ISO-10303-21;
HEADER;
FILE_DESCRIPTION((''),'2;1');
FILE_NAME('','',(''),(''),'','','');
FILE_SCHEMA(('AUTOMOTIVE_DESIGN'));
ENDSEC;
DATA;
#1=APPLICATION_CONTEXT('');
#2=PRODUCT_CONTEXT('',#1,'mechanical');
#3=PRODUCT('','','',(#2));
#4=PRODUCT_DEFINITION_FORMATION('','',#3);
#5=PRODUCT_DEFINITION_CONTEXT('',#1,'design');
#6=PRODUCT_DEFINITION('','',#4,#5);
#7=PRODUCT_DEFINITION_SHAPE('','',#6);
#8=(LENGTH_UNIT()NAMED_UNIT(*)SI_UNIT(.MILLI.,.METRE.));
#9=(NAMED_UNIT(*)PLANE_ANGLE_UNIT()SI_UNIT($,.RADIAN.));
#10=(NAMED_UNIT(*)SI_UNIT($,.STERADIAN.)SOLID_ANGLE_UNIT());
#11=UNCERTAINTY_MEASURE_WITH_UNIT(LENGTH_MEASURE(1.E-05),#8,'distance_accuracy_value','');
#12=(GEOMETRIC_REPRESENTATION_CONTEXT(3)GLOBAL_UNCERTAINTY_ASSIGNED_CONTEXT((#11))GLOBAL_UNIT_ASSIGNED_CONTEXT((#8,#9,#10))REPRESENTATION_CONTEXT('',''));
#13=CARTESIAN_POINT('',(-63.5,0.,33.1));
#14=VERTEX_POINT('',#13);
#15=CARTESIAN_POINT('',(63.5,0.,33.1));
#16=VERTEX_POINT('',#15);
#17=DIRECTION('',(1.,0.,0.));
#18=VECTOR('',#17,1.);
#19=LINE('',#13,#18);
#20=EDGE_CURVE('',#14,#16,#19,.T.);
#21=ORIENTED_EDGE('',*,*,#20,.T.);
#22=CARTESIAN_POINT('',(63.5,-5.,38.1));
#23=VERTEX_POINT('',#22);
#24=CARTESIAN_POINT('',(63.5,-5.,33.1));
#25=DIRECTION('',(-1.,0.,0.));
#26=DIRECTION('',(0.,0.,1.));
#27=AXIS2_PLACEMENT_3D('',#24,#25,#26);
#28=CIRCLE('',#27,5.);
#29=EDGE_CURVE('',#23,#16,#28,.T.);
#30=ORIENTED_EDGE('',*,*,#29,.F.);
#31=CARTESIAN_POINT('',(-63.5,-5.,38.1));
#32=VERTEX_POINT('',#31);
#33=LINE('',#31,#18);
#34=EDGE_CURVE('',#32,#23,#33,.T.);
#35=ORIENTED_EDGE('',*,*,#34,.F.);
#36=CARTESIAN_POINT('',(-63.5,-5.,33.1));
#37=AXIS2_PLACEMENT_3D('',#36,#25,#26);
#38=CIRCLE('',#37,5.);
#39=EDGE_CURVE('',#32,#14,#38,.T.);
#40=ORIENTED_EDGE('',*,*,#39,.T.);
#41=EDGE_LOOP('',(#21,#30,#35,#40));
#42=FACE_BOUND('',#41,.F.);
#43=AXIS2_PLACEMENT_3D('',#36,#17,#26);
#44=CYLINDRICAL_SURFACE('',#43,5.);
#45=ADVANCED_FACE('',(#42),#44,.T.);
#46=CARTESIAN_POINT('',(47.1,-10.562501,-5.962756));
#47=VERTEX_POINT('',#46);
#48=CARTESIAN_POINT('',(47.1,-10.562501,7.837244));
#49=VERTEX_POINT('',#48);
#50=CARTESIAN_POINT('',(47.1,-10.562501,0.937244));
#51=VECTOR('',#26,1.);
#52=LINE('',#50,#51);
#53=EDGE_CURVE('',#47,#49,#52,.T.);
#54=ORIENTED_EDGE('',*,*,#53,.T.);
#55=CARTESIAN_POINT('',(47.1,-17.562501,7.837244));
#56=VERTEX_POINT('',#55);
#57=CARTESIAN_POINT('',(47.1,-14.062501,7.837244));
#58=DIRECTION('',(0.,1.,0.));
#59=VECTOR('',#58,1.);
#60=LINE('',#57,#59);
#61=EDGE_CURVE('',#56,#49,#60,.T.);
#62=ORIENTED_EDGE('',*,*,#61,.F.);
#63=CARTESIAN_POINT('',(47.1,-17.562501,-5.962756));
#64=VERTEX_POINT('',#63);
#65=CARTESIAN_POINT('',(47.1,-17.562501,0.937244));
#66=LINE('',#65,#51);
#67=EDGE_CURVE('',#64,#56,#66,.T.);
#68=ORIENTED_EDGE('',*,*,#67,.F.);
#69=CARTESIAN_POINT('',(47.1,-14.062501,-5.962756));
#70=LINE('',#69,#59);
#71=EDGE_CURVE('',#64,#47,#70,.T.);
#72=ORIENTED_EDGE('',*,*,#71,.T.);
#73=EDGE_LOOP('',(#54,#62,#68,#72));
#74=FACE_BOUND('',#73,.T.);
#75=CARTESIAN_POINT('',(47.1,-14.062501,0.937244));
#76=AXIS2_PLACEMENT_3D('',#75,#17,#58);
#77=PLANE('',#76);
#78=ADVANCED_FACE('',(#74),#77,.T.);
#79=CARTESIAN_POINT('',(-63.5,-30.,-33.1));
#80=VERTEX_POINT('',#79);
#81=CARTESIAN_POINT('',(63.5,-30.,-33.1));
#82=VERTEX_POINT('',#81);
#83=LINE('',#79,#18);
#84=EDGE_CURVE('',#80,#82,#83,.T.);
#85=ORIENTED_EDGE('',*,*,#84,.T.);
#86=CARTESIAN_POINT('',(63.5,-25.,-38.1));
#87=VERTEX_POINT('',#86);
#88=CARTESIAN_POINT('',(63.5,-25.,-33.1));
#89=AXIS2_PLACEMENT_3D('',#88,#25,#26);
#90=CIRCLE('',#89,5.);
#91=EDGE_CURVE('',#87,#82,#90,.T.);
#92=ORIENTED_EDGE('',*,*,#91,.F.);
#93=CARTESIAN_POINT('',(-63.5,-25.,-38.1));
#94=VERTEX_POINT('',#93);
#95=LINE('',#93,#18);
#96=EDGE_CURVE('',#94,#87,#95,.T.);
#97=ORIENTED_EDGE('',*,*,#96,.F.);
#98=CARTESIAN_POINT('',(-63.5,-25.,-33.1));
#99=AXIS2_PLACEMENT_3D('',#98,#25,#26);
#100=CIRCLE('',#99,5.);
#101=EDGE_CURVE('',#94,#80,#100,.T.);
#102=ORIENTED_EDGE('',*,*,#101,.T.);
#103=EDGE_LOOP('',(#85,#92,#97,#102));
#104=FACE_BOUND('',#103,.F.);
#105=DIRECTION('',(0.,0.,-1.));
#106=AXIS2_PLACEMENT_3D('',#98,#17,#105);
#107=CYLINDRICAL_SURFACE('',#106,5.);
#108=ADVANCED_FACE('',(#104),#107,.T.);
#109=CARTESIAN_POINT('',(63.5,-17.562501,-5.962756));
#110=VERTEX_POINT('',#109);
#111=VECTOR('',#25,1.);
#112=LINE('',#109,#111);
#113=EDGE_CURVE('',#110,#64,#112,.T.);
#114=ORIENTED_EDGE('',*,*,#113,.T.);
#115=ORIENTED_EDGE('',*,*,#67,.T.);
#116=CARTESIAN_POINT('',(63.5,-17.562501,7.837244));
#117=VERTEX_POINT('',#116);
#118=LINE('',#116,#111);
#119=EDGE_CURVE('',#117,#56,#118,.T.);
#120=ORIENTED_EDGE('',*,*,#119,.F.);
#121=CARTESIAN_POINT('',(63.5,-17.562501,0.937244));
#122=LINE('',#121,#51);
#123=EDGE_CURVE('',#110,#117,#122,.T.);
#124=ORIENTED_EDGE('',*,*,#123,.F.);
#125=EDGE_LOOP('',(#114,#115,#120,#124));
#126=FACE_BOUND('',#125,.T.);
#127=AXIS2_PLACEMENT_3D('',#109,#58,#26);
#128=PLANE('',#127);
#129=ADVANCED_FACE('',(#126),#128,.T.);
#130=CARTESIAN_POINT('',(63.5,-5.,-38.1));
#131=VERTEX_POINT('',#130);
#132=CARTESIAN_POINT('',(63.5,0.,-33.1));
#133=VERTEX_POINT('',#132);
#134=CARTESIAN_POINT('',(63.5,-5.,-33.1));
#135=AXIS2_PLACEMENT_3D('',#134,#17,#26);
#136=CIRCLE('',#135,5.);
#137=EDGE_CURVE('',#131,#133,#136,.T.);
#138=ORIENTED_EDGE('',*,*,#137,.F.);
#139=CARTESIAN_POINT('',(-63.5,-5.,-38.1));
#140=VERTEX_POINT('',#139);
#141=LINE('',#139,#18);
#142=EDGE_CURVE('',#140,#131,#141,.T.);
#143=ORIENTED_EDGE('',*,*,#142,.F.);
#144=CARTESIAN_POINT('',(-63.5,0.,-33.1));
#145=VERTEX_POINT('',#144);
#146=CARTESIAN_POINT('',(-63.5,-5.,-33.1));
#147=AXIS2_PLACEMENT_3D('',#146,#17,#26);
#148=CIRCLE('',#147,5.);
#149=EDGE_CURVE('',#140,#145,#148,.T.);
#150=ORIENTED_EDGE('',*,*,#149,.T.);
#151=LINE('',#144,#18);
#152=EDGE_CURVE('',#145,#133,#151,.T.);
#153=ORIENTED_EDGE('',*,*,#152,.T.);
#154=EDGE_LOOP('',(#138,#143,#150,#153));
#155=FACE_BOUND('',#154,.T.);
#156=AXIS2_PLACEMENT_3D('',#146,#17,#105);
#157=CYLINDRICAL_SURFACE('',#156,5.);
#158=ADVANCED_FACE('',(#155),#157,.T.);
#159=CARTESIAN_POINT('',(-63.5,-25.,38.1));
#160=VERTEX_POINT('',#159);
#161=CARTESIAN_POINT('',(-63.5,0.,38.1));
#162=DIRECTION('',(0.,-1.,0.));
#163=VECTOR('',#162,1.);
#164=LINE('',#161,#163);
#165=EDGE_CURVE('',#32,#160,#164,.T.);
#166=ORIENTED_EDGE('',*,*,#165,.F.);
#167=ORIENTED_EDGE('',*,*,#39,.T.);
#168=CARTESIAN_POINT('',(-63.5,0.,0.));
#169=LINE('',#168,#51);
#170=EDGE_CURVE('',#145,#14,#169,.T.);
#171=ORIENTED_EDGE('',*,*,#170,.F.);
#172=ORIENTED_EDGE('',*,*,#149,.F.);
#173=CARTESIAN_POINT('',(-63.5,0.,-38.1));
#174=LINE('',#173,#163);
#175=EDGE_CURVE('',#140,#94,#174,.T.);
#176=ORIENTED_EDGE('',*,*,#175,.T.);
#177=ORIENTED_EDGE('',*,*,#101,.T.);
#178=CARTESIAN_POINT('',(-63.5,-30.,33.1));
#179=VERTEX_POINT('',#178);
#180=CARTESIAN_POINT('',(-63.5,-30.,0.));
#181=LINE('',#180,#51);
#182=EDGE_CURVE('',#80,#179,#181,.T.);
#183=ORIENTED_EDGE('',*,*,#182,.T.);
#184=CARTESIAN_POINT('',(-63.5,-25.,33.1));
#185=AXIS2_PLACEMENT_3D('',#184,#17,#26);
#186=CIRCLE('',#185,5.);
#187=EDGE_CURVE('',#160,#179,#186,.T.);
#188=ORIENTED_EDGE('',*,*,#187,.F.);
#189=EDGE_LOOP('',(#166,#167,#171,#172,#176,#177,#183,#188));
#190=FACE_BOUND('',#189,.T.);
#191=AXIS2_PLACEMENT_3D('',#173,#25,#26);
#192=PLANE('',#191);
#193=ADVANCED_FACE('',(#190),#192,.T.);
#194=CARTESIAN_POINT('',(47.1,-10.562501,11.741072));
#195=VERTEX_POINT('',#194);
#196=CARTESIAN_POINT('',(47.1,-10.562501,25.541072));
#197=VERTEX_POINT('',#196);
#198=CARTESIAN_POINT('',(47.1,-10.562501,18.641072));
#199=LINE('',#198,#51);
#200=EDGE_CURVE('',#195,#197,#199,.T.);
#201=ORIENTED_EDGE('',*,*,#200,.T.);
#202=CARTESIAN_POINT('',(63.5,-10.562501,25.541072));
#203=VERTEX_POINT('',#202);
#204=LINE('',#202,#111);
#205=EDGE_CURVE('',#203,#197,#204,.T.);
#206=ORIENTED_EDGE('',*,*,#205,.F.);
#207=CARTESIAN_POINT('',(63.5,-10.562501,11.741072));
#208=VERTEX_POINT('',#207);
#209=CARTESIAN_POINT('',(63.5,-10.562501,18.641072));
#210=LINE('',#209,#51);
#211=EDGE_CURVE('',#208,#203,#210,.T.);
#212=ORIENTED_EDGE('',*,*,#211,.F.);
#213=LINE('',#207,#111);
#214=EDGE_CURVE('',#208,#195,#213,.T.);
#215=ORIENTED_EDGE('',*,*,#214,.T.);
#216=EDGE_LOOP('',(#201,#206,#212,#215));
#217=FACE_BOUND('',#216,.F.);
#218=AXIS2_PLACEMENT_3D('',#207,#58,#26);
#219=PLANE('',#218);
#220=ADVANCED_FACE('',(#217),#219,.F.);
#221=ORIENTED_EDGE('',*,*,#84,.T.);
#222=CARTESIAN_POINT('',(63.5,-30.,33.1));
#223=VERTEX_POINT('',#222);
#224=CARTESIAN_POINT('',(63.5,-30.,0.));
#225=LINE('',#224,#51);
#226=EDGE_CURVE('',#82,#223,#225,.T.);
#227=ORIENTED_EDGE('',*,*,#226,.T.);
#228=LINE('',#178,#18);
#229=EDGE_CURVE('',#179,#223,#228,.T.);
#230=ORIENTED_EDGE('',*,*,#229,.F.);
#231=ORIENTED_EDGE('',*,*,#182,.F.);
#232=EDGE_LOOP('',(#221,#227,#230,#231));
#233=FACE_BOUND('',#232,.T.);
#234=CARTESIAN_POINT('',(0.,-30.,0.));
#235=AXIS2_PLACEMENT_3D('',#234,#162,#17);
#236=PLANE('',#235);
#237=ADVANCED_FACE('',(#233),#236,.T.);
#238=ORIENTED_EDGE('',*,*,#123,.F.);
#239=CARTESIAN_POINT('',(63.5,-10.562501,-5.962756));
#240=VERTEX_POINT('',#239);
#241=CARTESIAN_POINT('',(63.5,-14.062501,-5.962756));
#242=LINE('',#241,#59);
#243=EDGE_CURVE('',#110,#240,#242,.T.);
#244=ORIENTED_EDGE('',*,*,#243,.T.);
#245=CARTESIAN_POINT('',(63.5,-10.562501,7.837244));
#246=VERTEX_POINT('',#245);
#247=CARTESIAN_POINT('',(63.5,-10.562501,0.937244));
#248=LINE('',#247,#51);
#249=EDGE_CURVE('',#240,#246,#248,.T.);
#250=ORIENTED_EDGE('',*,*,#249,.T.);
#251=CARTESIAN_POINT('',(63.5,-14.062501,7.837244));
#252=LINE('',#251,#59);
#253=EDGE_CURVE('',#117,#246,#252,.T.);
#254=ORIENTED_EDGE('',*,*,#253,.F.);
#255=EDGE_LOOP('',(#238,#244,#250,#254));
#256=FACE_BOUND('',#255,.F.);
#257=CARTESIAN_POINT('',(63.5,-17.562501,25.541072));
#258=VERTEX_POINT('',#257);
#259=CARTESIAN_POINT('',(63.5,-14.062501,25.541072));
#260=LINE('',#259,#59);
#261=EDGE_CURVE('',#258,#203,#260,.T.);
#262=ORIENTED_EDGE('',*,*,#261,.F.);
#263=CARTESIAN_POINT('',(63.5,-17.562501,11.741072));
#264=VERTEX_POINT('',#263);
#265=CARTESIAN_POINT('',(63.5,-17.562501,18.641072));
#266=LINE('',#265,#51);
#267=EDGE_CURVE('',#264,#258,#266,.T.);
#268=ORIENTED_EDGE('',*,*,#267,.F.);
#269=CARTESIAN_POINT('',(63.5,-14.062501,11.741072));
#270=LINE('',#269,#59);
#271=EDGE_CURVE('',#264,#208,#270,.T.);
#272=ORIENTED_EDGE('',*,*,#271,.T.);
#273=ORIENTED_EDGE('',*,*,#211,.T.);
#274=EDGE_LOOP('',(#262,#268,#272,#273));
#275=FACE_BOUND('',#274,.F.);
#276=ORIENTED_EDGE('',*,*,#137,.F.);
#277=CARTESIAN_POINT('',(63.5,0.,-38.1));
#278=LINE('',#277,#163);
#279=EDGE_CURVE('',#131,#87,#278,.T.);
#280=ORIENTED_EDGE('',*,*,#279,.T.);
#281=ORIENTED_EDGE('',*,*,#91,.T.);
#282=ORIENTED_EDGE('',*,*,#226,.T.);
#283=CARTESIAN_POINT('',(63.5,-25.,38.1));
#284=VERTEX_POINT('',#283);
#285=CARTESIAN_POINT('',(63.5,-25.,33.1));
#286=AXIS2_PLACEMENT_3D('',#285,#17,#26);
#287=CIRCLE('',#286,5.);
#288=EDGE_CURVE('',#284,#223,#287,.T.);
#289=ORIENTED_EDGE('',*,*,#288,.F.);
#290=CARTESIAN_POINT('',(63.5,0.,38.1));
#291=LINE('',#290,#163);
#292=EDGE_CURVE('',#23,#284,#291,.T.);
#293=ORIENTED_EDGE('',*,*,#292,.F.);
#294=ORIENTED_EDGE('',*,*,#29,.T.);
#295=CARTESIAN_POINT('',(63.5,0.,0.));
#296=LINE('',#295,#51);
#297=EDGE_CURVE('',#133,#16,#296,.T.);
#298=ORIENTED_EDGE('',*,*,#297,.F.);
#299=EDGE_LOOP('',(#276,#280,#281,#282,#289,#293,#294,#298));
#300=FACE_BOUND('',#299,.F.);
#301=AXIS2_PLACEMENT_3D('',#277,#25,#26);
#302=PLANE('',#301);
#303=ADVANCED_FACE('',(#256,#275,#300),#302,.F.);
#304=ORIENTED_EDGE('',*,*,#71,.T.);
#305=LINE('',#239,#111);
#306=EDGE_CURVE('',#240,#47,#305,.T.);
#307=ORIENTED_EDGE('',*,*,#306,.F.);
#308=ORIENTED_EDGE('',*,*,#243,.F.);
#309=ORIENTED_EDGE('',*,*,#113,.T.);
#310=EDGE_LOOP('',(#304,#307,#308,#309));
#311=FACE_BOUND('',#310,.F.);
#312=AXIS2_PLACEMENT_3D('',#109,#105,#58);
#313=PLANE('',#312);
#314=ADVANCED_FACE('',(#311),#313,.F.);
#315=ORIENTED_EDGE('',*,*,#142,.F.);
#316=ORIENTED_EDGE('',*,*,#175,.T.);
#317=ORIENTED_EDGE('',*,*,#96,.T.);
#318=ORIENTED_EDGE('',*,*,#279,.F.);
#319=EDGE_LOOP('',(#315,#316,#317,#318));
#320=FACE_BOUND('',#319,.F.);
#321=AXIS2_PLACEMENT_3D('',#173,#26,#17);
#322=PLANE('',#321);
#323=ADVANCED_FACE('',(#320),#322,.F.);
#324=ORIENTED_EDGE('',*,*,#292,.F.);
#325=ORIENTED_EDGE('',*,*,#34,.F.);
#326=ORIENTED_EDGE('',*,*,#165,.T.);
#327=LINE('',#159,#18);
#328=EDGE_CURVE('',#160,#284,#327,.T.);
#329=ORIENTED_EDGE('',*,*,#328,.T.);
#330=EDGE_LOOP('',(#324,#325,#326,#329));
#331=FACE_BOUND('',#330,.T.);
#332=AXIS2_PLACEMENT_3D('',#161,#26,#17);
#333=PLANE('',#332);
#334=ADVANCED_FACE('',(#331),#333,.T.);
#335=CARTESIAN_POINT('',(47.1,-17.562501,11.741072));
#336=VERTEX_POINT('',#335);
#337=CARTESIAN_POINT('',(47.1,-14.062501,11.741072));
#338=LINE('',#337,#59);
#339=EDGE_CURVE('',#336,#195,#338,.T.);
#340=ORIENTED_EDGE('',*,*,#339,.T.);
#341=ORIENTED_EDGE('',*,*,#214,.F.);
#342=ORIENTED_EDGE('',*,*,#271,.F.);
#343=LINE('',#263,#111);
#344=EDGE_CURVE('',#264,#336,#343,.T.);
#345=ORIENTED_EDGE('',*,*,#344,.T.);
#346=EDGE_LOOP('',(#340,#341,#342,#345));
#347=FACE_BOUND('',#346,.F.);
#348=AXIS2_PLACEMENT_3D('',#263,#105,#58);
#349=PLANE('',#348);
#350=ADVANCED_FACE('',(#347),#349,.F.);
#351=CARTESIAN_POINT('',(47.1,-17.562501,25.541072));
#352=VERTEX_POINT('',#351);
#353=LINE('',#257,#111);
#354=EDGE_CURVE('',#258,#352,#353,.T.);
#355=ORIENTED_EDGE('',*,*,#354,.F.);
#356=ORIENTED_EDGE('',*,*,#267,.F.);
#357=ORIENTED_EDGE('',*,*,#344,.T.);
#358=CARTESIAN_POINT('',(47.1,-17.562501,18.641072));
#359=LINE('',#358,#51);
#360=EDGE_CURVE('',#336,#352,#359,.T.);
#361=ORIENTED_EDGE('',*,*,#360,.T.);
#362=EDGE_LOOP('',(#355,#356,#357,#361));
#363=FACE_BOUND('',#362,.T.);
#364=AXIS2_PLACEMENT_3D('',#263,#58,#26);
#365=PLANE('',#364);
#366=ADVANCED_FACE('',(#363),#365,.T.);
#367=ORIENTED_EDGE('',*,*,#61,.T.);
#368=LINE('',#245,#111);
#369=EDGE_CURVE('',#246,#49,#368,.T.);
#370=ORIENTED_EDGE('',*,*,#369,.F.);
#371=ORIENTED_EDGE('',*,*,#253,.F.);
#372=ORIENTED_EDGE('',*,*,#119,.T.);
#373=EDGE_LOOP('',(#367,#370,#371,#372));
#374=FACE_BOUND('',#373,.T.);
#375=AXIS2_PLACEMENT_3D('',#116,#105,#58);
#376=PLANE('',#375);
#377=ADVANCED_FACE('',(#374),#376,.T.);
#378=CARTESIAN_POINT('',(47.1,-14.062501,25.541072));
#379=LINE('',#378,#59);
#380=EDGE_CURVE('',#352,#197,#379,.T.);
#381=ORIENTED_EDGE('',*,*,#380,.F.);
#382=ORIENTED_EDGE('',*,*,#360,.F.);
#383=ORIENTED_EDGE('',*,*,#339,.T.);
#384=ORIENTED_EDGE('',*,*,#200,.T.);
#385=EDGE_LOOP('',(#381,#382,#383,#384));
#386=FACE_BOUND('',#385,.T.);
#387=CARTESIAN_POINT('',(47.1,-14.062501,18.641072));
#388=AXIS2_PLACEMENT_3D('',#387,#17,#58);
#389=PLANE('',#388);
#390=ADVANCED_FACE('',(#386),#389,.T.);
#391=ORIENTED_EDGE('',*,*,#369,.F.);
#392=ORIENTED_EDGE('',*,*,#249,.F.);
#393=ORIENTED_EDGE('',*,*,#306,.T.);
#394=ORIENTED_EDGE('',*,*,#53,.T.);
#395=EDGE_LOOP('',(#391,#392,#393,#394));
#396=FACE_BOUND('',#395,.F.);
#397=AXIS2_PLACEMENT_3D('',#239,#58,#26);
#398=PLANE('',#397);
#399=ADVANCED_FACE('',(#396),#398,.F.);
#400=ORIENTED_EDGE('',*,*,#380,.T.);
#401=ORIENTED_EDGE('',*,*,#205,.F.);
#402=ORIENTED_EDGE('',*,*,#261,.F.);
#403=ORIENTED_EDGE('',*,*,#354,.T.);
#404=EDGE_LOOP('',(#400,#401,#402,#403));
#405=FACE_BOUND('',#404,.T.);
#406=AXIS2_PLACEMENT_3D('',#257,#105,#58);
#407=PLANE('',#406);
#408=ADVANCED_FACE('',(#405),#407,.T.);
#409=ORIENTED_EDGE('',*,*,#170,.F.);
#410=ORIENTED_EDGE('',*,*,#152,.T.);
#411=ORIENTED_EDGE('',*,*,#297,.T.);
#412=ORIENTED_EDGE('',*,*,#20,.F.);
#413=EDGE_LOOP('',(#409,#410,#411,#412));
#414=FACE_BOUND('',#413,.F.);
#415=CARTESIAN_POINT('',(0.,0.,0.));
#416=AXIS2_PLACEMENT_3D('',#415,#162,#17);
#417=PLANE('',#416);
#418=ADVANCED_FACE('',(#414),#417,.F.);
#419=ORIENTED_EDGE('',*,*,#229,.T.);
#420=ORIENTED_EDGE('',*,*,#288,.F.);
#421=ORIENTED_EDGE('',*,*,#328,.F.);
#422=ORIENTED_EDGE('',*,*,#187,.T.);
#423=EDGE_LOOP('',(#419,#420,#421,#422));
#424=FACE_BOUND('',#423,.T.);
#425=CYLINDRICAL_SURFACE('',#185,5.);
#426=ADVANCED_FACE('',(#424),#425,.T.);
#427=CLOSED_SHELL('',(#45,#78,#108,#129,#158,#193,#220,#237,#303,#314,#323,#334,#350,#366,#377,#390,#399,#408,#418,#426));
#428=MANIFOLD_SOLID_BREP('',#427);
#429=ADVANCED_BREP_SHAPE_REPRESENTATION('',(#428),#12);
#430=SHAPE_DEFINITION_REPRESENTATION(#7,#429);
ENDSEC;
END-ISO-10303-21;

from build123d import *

# Parameters (mm, degrees)
F0_W     = 127
F0_H     = 76.2
F1_DEPTH = 30
F2_R     = 5
F3_W     = 7
F3_H     = 13.8
F4_DEPTH = 16.4
F5_W     = 7
F5_H     = 13.8
F6_DEPTH = 16.4


with BuildPart() as f1:
    # F0 (on Front) → F1 (new body)
    with BuildSketch(Plane.XZ):
        Rectangle(F0_W, F0_H)
    extrude(amount=F1_DEPTH)

    # F2
    f2_edges = [f1.edges().sort_by_distance(p)[0] for p in [
        (0, -30, 38.1),
        (0, 0, 38.1),
        (0, -30, -38.1),
        (0, 0, -38.1),
    ]]
    fillet(f2_edges, radius=F2_R)

    # F3 (on face) → F4 (cut)
    with BuildSketch(Plane.YZ.offset(63.5)):
        with Locations((-14.062501, 18.641072)):
            Rectangle(F3_W, F3_H)
    extrude(amount=-F4_DEPTH, mode=Mode.SUBTRACT)

    # F5 (on face) → F6 (cut)
    with BuildSketch(Plane.YZ.offset(63.5)):
        with Locations((-14.062501, 0.937244)):
            Rectangle(F5_W, F5_H)
    extrude(amount=-F6_DEPTH, mode=Mode.SUBTRACT)


solid = f1.part
